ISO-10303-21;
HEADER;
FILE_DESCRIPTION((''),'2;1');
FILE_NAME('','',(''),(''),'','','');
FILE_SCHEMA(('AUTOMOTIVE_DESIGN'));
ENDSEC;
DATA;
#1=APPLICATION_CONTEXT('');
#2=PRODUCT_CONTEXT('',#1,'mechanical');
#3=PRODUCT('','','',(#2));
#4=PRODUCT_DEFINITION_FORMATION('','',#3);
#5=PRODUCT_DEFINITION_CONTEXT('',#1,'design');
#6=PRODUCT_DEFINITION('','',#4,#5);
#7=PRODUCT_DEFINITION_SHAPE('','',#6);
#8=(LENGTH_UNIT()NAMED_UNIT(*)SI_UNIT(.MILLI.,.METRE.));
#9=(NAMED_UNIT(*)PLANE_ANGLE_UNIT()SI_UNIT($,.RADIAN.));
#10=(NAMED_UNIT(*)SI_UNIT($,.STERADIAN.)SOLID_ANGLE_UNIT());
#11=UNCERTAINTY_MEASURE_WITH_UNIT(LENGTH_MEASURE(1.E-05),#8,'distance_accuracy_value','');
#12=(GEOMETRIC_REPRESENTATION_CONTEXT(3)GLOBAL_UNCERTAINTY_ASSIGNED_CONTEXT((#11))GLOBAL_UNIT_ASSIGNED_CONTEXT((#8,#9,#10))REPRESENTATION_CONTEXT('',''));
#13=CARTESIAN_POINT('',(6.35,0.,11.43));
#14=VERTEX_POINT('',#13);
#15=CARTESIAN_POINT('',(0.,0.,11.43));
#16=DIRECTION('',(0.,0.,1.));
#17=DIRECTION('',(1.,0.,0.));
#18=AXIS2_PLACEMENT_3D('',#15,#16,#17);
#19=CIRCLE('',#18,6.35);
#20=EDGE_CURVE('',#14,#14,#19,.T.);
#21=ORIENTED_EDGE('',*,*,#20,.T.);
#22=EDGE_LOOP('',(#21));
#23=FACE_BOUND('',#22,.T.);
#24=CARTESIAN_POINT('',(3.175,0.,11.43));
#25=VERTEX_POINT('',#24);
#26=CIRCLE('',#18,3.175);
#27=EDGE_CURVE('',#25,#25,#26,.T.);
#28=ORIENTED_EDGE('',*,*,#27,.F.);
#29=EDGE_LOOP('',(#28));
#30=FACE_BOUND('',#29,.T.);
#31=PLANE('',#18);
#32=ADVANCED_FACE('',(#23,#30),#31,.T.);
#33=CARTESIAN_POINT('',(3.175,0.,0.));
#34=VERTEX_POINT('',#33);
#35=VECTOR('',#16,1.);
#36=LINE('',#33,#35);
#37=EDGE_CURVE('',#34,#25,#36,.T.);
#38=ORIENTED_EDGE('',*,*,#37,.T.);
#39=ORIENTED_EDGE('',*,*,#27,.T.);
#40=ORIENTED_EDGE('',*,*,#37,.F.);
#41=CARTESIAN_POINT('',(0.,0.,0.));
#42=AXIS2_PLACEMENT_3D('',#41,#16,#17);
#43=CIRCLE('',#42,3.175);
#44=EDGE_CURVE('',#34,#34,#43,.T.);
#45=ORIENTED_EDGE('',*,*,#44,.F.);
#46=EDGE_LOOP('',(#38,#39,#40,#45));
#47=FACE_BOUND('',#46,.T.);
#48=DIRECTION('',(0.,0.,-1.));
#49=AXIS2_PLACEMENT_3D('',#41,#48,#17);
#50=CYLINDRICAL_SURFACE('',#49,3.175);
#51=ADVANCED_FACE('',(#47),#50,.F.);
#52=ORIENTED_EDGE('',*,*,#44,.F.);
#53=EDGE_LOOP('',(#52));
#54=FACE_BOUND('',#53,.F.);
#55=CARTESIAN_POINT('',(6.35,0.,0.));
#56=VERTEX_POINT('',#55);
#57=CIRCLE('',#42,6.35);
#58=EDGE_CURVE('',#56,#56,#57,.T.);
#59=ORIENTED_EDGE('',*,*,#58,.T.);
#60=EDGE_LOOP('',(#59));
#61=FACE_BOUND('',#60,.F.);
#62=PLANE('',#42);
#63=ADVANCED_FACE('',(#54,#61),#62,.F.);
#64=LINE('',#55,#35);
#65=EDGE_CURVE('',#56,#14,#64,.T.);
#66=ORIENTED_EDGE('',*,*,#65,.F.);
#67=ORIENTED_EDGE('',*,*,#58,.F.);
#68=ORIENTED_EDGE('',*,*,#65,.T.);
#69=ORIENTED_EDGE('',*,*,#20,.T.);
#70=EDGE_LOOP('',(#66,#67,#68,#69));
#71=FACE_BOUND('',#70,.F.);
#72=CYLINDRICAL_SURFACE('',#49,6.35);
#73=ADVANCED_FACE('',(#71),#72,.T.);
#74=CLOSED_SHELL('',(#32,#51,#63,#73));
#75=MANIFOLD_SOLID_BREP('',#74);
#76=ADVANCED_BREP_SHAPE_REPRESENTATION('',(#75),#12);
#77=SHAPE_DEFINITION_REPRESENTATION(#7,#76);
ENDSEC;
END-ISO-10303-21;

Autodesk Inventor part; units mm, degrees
ref_plane "YZ Plane" through (0, 0, 0) normal (1, 0, 0) x (0, 1, 0)
ref_plane "XZ Plane" through (0, 0, 0) normal (0, 1, 0) x (-1, 0, 0)
ref_plane "XY Plane" through (0, 0, 0) normal (0, 0, 1) x (1, 0, 0)
sketch "Sketch1" plane through (0, 0, 0) normal (0, 0, 1) x (1, 0, 0)
  circle A0 centre (0, 0) radius 3.175
  circle A1 centre (0, 0) radius 6.35
  dimension "d0" = 6.35
  dimension "d1" = 12.7
extrude "Extrusion1" add sketch "Sketch1" along normal blind 11.43
equation "\"d1\" = 2 * d0"
properties part number "Spacer .25D .45H"
